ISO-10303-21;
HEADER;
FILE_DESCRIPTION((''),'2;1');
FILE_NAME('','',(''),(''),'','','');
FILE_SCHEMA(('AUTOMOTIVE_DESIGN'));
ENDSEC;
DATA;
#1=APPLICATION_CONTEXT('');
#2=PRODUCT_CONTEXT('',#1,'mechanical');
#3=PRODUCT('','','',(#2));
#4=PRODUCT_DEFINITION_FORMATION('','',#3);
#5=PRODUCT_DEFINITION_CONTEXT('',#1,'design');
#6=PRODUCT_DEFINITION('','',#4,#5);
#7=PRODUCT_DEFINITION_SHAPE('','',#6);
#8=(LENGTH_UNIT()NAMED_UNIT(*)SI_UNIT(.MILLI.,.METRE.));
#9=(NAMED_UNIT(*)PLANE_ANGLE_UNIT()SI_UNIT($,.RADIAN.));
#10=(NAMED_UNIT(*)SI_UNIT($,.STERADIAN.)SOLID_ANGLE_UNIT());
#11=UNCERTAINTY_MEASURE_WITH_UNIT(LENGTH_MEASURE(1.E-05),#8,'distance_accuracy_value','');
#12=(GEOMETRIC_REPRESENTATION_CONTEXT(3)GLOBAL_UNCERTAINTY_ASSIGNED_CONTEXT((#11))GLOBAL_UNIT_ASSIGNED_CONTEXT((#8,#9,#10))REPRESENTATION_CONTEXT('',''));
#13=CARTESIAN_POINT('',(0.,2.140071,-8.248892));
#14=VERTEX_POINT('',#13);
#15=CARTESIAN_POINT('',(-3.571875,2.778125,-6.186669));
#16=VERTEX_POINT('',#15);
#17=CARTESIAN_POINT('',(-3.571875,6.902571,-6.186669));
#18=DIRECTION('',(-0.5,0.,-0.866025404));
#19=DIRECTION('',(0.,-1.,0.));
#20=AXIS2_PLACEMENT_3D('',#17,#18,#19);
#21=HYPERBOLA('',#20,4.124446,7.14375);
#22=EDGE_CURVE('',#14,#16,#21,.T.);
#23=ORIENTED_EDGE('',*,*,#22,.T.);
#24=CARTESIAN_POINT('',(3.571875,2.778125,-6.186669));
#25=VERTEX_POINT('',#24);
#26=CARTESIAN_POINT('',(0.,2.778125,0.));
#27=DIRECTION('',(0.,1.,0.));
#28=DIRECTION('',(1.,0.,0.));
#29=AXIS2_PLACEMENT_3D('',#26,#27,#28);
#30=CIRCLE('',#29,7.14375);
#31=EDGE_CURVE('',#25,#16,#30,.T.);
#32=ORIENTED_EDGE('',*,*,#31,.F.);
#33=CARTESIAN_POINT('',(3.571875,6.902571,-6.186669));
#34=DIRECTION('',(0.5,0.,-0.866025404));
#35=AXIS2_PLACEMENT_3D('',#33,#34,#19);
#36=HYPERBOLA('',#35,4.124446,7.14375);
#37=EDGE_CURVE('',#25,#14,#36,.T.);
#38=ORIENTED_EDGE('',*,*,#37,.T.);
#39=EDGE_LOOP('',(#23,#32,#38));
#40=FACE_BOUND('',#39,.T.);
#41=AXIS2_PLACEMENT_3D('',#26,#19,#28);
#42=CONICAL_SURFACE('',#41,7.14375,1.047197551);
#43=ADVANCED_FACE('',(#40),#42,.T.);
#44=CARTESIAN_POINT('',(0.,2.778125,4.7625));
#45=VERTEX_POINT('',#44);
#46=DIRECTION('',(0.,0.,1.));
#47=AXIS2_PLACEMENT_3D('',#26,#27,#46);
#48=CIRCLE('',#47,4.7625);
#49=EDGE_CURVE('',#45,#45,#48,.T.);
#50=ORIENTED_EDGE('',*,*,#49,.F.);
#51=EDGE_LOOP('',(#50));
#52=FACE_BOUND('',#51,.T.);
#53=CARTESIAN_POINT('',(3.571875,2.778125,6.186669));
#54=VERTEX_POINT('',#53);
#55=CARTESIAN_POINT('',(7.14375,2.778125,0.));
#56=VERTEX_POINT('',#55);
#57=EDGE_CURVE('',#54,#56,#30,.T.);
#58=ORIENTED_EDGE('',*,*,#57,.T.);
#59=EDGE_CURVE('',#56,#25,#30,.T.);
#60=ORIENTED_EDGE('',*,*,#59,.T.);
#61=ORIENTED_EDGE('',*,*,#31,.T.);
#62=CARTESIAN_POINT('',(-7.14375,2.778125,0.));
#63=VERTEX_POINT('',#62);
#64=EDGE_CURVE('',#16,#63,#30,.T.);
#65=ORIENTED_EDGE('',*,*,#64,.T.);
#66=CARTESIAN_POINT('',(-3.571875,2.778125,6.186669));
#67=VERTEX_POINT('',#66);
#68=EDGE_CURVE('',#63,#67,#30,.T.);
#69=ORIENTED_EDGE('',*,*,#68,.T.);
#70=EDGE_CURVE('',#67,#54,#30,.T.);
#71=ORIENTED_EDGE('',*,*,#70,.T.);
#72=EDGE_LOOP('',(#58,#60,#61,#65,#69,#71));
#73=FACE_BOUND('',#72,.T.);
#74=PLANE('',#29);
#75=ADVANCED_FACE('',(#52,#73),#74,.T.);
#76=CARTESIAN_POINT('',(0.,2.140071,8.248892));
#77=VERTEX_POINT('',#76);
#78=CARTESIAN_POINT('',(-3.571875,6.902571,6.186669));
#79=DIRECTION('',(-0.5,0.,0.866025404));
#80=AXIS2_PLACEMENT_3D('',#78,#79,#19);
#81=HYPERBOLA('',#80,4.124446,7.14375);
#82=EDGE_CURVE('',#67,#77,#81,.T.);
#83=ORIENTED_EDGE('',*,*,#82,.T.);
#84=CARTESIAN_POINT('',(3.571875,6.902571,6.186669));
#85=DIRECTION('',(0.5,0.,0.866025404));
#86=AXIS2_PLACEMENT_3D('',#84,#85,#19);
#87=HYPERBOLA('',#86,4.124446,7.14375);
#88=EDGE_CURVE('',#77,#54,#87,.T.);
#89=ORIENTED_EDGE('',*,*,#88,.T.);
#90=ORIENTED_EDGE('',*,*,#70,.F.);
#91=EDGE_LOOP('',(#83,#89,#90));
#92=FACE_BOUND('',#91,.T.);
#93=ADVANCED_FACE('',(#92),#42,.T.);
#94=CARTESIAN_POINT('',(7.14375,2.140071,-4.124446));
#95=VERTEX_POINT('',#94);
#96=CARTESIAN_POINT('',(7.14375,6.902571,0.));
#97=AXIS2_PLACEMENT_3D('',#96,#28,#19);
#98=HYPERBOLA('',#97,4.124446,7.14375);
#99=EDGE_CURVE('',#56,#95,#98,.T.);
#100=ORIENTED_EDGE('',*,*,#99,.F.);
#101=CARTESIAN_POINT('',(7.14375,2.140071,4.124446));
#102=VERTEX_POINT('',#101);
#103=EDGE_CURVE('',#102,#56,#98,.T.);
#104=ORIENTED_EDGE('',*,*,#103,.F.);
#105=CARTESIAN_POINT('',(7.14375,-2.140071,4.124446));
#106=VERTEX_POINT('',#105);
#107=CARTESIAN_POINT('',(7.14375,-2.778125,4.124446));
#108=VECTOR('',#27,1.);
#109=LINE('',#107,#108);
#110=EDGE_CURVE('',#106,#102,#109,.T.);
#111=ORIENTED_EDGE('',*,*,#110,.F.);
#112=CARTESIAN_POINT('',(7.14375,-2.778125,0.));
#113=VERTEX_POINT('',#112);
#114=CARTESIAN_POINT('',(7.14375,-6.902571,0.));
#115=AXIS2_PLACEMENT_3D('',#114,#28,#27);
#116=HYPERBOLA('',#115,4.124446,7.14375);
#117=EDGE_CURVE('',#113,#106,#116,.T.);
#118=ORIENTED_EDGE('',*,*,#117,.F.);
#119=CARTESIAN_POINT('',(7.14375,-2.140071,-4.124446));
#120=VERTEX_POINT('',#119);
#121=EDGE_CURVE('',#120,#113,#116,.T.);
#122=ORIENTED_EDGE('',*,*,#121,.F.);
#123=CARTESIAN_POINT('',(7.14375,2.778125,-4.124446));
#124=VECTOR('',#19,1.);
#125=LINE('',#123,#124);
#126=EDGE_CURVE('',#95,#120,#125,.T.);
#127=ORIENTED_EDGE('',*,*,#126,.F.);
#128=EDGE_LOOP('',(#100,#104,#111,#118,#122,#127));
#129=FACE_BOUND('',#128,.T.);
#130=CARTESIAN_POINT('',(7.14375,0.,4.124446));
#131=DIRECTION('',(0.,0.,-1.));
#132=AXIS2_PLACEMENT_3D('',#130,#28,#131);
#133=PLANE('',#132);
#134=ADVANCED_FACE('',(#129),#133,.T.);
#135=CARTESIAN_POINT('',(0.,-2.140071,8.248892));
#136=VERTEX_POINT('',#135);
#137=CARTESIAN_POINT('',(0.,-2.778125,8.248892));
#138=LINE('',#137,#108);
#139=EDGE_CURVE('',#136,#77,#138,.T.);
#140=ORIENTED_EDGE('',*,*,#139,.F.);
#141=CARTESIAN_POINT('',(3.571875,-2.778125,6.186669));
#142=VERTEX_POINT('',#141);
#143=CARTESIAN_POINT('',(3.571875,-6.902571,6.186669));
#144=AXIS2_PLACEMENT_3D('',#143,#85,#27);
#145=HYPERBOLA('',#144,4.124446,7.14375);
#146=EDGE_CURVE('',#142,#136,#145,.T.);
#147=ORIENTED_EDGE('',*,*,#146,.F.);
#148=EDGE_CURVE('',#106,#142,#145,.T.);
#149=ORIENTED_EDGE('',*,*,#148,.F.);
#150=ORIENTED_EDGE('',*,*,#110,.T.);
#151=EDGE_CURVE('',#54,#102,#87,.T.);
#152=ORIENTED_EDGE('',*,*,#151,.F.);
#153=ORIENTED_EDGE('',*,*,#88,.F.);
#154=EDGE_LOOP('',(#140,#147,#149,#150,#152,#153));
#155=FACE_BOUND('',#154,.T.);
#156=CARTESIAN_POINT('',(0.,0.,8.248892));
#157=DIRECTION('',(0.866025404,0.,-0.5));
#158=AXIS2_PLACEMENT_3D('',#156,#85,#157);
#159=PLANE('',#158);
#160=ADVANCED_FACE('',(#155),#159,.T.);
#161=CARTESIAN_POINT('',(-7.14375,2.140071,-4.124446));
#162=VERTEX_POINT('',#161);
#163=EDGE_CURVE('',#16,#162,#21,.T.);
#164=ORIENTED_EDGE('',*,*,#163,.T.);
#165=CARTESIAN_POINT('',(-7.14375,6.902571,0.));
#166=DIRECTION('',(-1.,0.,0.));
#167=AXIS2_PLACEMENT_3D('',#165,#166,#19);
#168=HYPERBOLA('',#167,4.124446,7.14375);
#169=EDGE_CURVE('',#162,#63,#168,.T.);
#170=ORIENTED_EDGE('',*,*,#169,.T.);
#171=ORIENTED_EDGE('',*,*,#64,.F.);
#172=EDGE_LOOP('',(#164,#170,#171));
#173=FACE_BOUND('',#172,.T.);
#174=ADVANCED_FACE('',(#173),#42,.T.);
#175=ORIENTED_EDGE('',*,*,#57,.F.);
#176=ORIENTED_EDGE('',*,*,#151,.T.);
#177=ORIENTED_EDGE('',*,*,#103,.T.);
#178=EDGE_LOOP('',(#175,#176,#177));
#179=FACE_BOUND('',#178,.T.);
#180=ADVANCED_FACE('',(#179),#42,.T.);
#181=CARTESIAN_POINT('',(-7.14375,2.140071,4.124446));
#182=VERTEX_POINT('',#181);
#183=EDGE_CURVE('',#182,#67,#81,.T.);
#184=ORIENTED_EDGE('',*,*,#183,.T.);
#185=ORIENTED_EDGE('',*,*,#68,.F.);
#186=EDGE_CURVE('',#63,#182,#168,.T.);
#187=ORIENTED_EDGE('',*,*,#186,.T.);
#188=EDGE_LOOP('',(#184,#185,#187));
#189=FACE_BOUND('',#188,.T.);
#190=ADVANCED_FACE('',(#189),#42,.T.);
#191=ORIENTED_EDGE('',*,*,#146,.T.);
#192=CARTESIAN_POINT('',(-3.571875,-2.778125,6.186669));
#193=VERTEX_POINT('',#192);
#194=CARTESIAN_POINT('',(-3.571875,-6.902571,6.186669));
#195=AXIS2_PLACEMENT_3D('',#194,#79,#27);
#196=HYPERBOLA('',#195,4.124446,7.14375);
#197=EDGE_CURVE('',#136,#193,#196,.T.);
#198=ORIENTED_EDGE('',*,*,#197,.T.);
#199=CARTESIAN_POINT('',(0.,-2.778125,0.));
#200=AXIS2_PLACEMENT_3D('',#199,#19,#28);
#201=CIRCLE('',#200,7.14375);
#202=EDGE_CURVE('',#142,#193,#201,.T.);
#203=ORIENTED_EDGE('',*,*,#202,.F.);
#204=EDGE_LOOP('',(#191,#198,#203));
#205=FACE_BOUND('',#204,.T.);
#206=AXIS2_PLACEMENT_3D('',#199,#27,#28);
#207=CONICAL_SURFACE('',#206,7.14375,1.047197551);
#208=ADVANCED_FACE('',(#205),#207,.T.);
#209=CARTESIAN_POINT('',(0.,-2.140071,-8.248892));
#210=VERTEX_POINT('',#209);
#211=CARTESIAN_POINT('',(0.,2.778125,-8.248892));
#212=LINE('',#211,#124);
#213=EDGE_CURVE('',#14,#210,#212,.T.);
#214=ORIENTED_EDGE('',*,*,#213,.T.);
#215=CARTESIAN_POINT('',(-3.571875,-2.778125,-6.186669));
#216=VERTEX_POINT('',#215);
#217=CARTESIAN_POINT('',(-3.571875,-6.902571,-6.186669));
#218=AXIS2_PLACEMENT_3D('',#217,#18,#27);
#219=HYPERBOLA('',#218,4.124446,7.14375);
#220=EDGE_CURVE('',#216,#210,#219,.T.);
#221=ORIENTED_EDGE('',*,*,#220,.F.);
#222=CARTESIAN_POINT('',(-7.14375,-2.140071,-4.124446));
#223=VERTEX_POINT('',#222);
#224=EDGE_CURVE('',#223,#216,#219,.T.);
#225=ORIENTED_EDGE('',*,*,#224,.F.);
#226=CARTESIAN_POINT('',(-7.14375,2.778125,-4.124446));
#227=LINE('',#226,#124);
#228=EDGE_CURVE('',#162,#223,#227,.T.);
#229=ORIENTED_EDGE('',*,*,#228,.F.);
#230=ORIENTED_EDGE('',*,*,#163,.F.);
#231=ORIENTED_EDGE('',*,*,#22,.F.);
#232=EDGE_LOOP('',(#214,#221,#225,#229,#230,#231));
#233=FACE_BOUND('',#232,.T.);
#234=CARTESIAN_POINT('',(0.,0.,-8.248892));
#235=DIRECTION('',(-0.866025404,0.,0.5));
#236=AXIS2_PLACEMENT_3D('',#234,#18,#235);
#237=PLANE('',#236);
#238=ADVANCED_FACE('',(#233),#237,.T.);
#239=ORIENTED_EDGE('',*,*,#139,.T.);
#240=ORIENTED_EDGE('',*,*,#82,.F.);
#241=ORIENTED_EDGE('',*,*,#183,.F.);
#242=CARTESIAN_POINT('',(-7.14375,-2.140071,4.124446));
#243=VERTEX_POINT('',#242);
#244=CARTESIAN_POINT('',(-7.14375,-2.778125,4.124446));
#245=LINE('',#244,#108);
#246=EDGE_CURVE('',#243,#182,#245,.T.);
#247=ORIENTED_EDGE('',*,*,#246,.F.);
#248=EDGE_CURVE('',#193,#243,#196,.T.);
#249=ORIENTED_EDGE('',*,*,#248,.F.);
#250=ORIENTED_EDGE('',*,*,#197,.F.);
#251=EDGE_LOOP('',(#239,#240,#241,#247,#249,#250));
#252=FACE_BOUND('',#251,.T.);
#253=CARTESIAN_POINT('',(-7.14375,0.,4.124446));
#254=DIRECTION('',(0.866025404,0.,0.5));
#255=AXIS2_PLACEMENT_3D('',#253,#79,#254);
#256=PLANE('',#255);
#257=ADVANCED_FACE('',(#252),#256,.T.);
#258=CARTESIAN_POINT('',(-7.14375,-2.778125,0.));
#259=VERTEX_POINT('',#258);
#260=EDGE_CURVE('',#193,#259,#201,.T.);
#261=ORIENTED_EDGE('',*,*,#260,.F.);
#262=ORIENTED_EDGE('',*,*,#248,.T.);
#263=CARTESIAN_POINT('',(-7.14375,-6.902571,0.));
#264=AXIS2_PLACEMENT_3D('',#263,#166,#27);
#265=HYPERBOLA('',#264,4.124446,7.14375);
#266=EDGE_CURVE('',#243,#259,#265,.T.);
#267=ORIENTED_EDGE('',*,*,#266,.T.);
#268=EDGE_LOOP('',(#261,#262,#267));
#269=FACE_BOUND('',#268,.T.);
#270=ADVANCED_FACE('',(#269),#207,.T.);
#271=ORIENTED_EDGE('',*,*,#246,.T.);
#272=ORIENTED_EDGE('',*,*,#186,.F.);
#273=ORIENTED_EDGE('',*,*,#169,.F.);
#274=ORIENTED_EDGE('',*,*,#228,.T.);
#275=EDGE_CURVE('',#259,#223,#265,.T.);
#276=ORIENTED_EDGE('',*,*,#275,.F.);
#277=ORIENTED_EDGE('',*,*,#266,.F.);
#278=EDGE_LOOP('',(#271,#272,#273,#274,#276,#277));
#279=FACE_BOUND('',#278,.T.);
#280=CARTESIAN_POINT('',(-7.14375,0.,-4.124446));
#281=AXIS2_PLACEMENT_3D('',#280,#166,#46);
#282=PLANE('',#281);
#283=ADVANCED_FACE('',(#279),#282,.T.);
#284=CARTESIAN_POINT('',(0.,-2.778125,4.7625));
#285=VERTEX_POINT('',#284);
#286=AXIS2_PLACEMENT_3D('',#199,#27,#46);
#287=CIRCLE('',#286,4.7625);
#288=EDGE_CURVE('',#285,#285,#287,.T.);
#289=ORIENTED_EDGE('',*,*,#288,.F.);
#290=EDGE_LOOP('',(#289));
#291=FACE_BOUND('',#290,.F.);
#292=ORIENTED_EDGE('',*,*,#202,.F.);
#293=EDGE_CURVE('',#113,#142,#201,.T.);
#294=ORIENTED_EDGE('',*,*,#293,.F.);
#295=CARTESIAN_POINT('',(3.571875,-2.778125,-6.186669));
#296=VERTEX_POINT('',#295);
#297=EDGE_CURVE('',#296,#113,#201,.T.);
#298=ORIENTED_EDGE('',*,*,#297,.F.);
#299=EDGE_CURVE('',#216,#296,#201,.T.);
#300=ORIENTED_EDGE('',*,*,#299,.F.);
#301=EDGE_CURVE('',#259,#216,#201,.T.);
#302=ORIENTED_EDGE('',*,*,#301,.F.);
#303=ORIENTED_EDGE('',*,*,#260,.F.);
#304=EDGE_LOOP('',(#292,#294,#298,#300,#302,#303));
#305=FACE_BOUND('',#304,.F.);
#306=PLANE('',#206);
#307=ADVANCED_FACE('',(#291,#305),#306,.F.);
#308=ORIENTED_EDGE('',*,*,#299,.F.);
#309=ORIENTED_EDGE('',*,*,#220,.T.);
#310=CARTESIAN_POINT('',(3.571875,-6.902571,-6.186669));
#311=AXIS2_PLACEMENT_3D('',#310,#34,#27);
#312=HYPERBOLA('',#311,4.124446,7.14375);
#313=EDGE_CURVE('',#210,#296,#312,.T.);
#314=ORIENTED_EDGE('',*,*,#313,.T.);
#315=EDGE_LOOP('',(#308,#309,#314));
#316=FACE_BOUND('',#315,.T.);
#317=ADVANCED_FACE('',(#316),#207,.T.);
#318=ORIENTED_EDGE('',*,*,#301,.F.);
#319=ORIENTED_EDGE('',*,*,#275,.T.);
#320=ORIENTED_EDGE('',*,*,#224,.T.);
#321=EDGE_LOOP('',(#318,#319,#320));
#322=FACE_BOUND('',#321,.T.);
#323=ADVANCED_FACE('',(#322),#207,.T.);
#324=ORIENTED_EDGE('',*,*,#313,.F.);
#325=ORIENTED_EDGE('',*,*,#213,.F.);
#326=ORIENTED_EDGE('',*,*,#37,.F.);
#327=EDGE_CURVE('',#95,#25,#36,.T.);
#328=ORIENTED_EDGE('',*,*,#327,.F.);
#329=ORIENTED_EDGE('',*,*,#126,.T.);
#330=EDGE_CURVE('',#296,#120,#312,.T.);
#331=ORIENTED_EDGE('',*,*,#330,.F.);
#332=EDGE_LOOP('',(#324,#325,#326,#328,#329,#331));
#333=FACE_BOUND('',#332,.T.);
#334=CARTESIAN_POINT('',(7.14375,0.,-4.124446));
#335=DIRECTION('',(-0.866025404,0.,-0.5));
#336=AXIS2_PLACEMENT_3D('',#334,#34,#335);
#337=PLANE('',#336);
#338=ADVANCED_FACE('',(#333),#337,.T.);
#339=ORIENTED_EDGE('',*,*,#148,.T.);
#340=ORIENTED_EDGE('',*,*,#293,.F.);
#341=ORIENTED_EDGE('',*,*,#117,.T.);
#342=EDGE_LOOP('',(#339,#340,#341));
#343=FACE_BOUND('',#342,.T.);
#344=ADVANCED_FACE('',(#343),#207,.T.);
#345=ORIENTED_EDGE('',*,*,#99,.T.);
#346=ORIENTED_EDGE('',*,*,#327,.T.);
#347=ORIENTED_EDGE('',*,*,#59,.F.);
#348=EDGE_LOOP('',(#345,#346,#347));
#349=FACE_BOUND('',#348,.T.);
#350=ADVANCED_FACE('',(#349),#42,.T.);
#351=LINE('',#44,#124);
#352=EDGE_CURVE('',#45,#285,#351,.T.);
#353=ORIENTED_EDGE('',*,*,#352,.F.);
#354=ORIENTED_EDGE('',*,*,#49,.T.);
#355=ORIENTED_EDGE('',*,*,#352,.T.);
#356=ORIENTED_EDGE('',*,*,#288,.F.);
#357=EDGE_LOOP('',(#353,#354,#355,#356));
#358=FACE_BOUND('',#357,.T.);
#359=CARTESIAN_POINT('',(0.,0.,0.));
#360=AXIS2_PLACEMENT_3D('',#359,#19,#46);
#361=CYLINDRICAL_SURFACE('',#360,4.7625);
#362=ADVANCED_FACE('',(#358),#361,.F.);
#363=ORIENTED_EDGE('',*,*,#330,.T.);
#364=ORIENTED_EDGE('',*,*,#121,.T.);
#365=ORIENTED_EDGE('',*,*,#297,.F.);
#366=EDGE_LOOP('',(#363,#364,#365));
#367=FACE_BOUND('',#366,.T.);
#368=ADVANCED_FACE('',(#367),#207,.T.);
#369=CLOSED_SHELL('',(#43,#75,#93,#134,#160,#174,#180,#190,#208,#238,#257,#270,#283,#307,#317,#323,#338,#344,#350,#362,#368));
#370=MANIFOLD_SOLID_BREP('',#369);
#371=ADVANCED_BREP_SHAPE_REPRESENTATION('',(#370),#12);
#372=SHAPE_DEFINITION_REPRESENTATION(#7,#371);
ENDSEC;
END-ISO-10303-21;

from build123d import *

# Parameters (mm, degrees)
SKETCH1_R               = 4.7625
BOSS_EXTRUDE1_DEPTH     = 2.778125
SKETCH5_OUTSIDE_W       = 66.676
SKETCH5_OUTSIDE_H       = 68.886
SKETCH5_OUTSIDE_R       = 7.14375
CUT_EXTRUDE2_DEPTH      = 13.245378593
CUT_EXTRUDE2_DRAFT      = -60
MIRROR1_COPY_1_SKETCH_W = 66.676
MIRROR1_COPY_1_SKETCH_H = 68.886
MIRROR1_COPY_1_SKETCH_R = 7.14375
MIRROR1_COPY_1_DEPTH    = 13.245378593
MIRROR1_COPY_1_DRAFT    = -60


with BuildPart() as part:
    # Sketch1 → Boss-Extrude1 (new, symmetric)
    with BuildSketch(Plane(origin=(0, 0, 0), x_dir=(1, 0, 0), z_dir=(0, 1, 0))):
        Polygon((-7.14375, 4.124445986), (-7.14375, -4.124445986), (0, -8.248891971), (7.14375, -4.124445986), (7.14375, 4.124445986), (0, 8.248891971), align=None)
        Circle(SKETCH1_R, mode=Mode.SUBTRACT)
    extrude(amount=BOSS_EXTRUDE1_DEPTH, both=True)


with BuildPart() as cut_extrude2_tool:
    # Sketch5 outside → Cut-Extrude2 (with draft: the straight prism first)
    with BuildSketch(Plane(origin=(0, 2.778125, 0), x_dir=(1, 0, 0), z_dir=(0, 1, 0))):
        Rectangle(SKETCH5_OUTSIDE_W, SKETCH5_OUTSIDE_H)
        Circle(SKETCH5_OUTSIDE_R, mode=Mode.SUBTRACT)
    extrude(amount=-CUT_EXTRUDE2_DEPTH)
    # Cut-Extrude2: the draft: its side faces are tilted about the plane it starts from
    cut_extrude2_sides = [cut_extrude2_tool.faces().sort_by_distance(p)[0] for p in [
        (0, -3.844564296, 34.443),
        (33.338, -3.844564296, 0),
        (0, -3.844564296, -34.443),
        (-33.338, -3.844564296, 0),
        (-7.14375, -3.844564296, 0),
    ]]
    draft(cut_extrude2_sides, Plane(origin=(0, 2.778125, 0), x_dir=(1, 0, 0), z_dir=(0, 1, 0)), CUT_EXTRUDE2_DRAFT)


with BuildPart() as part_1:
    add(part.part)

    # Cut-Extrude2: cut by cut_extrude2_tool
    add(cut_extrude2_tool.part, mode=Mode.SUBTRACT)


with BuildPart() as mirror1_copy_1_tool:
    # Mirror1 copy 1 sketch → Mirror1 copy 1 (with draft: the straight prism first)
    with BuildSketch(Plane.XZ.offset(2.778125)):
        Rectangle(MIRROR1_COPY_1_SKETCH_W, MIRROR1_COPY_1_SKETCH_H)
        Circle(MIRROR1_COPY_1_SKETCH_R, mode=Mode.SUBTRACT)
    extrude(amount=-MIRROR1_COPY_1_DEPTH)
    # Mirror1 copy 1: the draft: its side faces are tilted about the plane it starts from
    mirror1_copy_1_sides = [mirror1_copy_1_tool.faces().sort_by_distance(p)[0] for p in [
        (0, 3.844564296, 34.443),
        (33.338, 3.844564296, 0),
        (0, 3.844564296, -34.443),
        (-33.338, 3.844564296, 0),
        (-7.14375, 3.844564296, 0),
    ]]
    draft(mirror1_copy_1_sides, Plane.XZ.offset(2.778125), MIRROR1_COPY_1_DRAFT)


with BuildPart() as part_2:
    add(part_1.part)

    # Mirror1 copy 1: cut by mirror1_copy_1_tool
    add(mirror1_copy_1_tool.part, mode=Mode.SUBTRACT)


solid = part_2.part
